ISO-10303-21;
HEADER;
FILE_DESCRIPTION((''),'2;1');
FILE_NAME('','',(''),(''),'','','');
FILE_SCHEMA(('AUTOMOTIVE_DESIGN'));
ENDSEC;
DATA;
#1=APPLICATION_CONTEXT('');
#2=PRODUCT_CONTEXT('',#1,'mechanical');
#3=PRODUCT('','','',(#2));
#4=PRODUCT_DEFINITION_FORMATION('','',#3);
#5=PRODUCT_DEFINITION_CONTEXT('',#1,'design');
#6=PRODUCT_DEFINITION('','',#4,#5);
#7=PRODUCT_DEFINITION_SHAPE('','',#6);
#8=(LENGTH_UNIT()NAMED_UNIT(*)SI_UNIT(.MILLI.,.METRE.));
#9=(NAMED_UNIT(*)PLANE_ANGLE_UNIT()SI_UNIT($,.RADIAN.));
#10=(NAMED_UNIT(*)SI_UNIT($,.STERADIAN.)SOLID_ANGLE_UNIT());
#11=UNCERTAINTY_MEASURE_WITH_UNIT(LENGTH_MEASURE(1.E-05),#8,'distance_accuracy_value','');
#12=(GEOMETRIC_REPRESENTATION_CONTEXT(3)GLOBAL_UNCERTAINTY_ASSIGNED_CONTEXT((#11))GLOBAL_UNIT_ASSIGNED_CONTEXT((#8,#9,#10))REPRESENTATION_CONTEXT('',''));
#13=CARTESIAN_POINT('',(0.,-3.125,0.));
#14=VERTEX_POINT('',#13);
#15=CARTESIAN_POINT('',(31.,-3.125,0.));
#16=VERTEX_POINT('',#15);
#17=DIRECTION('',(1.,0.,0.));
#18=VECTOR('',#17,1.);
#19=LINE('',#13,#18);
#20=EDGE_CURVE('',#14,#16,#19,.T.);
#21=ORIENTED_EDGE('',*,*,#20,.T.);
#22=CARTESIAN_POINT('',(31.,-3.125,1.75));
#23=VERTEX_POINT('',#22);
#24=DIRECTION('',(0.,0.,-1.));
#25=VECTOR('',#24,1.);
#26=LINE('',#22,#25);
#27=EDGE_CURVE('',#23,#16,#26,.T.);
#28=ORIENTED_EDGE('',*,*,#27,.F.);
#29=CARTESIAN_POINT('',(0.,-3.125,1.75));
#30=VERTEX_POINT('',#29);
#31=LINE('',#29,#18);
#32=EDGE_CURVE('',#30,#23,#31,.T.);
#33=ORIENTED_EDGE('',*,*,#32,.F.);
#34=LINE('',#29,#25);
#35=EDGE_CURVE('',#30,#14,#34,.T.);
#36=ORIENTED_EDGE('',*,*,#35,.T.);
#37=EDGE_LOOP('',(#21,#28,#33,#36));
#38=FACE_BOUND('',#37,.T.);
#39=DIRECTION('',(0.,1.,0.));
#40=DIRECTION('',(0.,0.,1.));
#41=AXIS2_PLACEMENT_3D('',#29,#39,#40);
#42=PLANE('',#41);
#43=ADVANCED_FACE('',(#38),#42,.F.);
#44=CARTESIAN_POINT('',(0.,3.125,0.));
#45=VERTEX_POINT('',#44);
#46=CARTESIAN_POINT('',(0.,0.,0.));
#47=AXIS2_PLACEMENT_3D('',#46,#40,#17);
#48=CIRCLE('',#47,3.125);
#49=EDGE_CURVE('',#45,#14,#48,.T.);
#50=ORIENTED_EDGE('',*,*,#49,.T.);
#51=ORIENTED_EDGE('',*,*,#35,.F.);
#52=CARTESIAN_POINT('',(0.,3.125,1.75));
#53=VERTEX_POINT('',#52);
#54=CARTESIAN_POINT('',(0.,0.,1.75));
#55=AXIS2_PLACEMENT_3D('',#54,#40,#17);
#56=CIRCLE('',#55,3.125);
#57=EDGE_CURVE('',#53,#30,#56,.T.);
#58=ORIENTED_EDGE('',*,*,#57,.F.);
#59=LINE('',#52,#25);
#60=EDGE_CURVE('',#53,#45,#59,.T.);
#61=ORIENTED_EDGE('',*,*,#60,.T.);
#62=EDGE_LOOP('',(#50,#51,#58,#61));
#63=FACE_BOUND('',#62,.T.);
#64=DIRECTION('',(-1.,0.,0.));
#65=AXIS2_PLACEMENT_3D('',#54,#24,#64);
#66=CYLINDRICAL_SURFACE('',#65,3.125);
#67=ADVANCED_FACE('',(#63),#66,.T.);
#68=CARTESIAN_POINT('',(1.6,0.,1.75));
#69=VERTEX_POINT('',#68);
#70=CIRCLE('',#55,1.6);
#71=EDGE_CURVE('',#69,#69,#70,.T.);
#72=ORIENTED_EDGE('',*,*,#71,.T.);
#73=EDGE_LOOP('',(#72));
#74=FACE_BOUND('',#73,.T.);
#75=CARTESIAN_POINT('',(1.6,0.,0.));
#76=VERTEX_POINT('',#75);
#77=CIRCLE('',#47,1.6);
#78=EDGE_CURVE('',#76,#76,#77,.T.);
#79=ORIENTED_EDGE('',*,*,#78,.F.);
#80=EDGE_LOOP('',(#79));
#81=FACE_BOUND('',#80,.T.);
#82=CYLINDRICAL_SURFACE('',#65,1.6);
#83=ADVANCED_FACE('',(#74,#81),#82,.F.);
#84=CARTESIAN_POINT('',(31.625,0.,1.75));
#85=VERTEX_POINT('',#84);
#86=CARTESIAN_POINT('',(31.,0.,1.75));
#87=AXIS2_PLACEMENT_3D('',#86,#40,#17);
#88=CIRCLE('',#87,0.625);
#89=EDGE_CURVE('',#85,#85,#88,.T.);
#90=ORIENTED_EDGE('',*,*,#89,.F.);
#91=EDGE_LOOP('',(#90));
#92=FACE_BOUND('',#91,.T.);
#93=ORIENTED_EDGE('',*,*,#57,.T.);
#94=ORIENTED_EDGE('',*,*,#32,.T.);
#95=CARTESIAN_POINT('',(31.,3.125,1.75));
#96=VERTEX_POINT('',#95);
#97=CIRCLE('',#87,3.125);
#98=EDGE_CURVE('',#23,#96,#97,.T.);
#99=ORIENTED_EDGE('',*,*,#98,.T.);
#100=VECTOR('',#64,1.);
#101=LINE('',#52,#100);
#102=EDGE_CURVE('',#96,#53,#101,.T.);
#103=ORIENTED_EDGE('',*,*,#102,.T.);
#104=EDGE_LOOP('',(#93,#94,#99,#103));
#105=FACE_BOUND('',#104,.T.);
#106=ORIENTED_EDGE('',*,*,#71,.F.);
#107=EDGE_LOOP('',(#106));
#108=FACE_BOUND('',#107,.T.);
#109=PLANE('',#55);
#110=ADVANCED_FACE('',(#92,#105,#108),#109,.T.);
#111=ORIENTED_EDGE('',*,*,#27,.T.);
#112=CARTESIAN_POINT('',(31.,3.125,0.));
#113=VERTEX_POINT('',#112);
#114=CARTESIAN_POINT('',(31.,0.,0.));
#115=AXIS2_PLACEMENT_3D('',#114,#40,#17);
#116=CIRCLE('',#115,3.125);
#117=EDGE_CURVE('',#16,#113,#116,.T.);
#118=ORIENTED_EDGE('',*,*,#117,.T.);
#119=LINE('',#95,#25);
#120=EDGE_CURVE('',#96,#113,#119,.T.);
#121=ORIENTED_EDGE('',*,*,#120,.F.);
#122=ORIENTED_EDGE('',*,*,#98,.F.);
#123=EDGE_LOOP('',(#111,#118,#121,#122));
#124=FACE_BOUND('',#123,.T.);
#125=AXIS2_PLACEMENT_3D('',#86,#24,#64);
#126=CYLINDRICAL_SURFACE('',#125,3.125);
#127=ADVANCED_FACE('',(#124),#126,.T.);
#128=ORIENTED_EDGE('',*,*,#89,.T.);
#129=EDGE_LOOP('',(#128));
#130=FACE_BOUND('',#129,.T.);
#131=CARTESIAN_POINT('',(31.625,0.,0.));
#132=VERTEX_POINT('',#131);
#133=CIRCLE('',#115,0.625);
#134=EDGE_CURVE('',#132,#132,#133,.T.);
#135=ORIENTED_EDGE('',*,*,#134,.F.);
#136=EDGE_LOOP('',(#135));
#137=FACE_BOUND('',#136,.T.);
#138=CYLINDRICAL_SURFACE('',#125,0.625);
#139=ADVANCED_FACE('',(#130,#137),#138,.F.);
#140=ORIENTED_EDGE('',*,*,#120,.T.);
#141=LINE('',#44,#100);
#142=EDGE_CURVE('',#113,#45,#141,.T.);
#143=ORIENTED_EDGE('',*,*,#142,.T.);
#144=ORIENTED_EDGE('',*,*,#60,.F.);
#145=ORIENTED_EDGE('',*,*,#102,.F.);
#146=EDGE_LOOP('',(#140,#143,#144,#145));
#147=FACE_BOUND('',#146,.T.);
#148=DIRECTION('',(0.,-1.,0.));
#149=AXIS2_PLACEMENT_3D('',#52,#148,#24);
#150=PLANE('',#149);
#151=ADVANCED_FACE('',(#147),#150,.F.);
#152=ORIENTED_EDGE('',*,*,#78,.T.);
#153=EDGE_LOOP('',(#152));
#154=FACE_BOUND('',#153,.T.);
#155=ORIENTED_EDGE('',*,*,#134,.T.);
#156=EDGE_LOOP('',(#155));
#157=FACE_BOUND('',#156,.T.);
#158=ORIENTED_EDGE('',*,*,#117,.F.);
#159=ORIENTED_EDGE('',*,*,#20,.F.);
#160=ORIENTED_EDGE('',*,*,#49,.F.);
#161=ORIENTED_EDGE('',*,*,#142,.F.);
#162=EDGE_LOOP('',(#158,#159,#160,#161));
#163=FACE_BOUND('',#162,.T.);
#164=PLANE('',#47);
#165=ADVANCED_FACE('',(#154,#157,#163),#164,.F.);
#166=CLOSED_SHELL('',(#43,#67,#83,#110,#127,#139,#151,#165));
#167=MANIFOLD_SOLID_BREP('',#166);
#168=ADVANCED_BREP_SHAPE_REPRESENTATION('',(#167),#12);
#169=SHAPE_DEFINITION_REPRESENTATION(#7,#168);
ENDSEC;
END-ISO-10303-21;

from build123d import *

# Parameters (mm, degrees)
SKETCH1_R           = 1.6
SKETCH1_R_2         = 0.625
BOSS_EXTRUDE1_DEPTH = 1.75


with BuildPart() as part:
    # Sketch1 → Boss-Extrude1 (new body)
    with BuildSketch(Plane.XY):
        with BuildLine():
            Line((0, 3.125), (31, 3.125))
            ThreePointArc((31, 3.125), (34.125, 0), (31, -3.125))
            Line((31, -3.125), (0, -3.125))
            ThreePointArc((0, -3.125), (-3.125, 0), (0, 3.125))
        make_face()
        Circle(SKETCH1_R, mode=Mode.SUBTRACT)
        with Locations((31, 0)):
            Circle(SKETCH1_R_2, mode=Mode.SUBTRACT)
    extrude(amount=BOSS_EXTRUDE1_DEPTH)


solid = part.part
